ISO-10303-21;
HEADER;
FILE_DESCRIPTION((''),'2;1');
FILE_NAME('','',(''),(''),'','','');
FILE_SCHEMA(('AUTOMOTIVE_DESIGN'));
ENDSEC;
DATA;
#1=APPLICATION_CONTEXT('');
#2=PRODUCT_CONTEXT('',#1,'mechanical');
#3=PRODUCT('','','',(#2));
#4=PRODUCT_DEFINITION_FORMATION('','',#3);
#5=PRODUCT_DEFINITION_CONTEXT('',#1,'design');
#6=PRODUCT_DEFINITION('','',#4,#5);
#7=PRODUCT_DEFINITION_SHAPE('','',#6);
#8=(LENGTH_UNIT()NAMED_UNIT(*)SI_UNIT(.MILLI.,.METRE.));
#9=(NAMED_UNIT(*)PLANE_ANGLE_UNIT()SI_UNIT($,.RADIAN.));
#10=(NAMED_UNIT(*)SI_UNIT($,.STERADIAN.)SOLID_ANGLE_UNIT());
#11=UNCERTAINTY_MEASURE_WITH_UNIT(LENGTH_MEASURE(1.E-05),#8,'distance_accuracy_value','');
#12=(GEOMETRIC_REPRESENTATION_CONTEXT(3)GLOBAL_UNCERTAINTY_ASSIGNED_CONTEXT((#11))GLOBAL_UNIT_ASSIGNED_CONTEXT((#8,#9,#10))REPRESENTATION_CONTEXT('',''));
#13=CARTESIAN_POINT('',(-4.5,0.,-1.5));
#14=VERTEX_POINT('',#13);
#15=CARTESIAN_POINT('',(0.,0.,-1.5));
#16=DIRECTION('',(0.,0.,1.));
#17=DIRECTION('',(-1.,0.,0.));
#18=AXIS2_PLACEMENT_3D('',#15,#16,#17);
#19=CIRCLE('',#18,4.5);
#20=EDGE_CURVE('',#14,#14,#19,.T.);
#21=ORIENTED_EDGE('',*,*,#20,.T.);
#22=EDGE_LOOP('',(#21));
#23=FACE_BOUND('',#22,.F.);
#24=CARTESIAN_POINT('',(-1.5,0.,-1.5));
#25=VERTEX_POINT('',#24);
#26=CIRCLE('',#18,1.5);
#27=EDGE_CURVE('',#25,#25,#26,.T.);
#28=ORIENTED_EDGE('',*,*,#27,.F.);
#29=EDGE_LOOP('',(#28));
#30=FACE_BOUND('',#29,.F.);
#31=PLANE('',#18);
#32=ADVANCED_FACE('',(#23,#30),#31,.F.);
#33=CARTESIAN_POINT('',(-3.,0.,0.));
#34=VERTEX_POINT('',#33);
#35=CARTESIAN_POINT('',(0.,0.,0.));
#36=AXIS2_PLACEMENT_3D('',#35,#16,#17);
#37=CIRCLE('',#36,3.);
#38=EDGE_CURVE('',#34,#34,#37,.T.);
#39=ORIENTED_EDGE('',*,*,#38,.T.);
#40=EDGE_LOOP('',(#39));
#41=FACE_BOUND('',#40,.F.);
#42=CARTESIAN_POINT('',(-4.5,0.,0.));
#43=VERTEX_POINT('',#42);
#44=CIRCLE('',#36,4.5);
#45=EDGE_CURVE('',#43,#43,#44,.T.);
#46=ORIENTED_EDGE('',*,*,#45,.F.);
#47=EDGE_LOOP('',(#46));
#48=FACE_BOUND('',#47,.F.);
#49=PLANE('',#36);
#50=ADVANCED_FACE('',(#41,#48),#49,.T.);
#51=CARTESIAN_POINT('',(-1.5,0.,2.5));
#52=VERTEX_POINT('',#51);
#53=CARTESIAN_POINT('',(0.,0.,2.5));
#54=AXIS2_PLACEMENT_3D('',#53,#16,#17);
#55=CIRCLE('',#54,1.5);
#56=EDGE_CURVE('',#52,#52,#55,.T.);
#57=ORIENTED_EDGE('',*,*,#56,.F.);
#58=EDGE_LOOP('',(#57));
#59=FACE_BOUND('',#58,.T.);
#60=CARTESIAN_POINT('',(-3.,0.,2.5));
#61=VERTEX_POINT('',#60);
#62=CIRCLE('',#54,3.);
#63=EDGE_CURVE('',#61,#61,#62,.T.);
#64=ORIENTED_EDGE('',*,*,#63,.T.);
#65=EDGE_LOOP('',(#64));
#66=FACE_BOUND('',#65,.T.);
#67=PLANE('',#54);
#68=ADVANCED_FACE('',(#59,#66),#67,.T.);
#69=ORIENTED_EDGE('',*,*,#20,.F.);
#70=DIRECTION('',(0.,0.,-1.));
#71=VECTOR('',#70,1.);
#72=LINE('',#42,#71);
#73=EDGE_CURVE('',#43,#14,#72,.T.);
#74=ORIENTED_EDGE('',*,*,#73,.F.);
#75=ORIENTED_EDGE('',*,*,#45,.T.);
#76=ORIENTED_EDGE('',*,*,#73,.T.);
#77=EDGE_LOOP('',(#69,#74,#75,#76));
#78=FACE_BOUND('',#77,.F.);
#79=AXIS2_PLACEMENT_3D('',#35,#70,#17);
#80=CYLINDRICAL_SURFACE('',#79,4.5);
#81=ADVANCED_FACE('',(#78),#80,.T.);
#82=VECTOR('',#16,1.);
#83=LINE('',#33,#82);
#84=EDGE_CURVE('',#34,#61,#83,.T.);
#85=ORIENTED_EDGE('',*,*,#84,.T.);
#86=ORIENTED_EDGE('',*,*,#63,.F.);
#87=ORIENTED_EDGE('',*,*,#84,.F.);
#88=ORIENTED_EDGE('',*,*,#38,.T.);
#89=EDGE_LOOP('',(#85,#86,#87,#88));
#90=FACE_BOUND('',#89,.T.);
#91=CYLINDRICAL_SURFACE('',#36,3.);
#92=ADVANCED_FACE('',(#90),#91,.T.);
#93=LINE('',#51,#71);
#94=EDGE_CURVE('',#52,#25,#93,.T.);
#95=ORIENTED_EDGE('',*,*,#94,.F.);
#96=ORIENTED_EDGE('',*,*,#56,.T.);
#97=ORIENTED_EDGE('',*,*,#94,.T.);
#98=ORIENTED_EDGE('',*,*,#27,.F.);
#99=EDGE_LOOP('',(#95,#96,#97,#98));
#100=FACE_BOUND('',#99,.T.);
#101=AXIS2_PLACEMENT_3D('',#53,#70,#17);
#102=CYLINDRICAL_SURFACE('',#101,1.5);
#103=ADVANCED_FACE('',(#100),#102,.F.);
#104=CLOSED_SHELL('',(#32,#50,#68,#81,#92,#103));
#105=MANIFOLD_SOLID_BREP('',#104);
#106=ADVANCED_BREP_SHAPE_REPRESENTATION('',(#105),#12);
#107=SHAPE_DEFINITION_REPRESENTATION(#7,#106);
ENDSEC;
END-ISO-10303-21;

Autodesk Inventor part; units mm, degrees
ref_plane "YZ Plane" through (0, 0, 0) normal (1, 0, 0) x (0, 1, 0)
ref_plane "XZ Plane" through (0, 0, 0) normal (0, 1, 0) x (-1, 0, 0)
ref_plane "XY Plane" through (0, 0, 0) normal (0, 0, 1) x (1, 0, 0)
sketch "Sketch4" plane through (0, 0, 0) normal (0, 1, 0) x (-1, 0, 0)
  line L0 (1.5, 0) -> (3, 0)
  line L1 (3, 0) -> (3, 2.5)
  line L2 (3, 2.5) -> (1.5, 2.5)
  line L3 (1.5, 2.5) -> (1.5, 0)
  line L4 (1.5, 0) -> (4.5, 0)
  line L5 (4.5, 0) -> (4.5, -1.5)
  line L6 (4.5, -1.5) -> (1.5, -1.5)
  line L7 (1.5, -1.5) -> (1.5, 0)
  line L8 (0, -1.5) -> (0, 3.9263)
  point P0 (0, 0)
  dimension "d1" = 1.5
  dimension "d2" = 2.5
  dimension "d3" = 3
  dimension "d4" = 1.5
  dimension "d5" = 3
revolve "Revolution1" add sketch "Sketch4" angle 360 about axis through (0, 0, -1.5) along (0, 0, 1)
properties part number "SleeveBearing3mmFlanged" material "Brass, Soft Yellow, Welded"
